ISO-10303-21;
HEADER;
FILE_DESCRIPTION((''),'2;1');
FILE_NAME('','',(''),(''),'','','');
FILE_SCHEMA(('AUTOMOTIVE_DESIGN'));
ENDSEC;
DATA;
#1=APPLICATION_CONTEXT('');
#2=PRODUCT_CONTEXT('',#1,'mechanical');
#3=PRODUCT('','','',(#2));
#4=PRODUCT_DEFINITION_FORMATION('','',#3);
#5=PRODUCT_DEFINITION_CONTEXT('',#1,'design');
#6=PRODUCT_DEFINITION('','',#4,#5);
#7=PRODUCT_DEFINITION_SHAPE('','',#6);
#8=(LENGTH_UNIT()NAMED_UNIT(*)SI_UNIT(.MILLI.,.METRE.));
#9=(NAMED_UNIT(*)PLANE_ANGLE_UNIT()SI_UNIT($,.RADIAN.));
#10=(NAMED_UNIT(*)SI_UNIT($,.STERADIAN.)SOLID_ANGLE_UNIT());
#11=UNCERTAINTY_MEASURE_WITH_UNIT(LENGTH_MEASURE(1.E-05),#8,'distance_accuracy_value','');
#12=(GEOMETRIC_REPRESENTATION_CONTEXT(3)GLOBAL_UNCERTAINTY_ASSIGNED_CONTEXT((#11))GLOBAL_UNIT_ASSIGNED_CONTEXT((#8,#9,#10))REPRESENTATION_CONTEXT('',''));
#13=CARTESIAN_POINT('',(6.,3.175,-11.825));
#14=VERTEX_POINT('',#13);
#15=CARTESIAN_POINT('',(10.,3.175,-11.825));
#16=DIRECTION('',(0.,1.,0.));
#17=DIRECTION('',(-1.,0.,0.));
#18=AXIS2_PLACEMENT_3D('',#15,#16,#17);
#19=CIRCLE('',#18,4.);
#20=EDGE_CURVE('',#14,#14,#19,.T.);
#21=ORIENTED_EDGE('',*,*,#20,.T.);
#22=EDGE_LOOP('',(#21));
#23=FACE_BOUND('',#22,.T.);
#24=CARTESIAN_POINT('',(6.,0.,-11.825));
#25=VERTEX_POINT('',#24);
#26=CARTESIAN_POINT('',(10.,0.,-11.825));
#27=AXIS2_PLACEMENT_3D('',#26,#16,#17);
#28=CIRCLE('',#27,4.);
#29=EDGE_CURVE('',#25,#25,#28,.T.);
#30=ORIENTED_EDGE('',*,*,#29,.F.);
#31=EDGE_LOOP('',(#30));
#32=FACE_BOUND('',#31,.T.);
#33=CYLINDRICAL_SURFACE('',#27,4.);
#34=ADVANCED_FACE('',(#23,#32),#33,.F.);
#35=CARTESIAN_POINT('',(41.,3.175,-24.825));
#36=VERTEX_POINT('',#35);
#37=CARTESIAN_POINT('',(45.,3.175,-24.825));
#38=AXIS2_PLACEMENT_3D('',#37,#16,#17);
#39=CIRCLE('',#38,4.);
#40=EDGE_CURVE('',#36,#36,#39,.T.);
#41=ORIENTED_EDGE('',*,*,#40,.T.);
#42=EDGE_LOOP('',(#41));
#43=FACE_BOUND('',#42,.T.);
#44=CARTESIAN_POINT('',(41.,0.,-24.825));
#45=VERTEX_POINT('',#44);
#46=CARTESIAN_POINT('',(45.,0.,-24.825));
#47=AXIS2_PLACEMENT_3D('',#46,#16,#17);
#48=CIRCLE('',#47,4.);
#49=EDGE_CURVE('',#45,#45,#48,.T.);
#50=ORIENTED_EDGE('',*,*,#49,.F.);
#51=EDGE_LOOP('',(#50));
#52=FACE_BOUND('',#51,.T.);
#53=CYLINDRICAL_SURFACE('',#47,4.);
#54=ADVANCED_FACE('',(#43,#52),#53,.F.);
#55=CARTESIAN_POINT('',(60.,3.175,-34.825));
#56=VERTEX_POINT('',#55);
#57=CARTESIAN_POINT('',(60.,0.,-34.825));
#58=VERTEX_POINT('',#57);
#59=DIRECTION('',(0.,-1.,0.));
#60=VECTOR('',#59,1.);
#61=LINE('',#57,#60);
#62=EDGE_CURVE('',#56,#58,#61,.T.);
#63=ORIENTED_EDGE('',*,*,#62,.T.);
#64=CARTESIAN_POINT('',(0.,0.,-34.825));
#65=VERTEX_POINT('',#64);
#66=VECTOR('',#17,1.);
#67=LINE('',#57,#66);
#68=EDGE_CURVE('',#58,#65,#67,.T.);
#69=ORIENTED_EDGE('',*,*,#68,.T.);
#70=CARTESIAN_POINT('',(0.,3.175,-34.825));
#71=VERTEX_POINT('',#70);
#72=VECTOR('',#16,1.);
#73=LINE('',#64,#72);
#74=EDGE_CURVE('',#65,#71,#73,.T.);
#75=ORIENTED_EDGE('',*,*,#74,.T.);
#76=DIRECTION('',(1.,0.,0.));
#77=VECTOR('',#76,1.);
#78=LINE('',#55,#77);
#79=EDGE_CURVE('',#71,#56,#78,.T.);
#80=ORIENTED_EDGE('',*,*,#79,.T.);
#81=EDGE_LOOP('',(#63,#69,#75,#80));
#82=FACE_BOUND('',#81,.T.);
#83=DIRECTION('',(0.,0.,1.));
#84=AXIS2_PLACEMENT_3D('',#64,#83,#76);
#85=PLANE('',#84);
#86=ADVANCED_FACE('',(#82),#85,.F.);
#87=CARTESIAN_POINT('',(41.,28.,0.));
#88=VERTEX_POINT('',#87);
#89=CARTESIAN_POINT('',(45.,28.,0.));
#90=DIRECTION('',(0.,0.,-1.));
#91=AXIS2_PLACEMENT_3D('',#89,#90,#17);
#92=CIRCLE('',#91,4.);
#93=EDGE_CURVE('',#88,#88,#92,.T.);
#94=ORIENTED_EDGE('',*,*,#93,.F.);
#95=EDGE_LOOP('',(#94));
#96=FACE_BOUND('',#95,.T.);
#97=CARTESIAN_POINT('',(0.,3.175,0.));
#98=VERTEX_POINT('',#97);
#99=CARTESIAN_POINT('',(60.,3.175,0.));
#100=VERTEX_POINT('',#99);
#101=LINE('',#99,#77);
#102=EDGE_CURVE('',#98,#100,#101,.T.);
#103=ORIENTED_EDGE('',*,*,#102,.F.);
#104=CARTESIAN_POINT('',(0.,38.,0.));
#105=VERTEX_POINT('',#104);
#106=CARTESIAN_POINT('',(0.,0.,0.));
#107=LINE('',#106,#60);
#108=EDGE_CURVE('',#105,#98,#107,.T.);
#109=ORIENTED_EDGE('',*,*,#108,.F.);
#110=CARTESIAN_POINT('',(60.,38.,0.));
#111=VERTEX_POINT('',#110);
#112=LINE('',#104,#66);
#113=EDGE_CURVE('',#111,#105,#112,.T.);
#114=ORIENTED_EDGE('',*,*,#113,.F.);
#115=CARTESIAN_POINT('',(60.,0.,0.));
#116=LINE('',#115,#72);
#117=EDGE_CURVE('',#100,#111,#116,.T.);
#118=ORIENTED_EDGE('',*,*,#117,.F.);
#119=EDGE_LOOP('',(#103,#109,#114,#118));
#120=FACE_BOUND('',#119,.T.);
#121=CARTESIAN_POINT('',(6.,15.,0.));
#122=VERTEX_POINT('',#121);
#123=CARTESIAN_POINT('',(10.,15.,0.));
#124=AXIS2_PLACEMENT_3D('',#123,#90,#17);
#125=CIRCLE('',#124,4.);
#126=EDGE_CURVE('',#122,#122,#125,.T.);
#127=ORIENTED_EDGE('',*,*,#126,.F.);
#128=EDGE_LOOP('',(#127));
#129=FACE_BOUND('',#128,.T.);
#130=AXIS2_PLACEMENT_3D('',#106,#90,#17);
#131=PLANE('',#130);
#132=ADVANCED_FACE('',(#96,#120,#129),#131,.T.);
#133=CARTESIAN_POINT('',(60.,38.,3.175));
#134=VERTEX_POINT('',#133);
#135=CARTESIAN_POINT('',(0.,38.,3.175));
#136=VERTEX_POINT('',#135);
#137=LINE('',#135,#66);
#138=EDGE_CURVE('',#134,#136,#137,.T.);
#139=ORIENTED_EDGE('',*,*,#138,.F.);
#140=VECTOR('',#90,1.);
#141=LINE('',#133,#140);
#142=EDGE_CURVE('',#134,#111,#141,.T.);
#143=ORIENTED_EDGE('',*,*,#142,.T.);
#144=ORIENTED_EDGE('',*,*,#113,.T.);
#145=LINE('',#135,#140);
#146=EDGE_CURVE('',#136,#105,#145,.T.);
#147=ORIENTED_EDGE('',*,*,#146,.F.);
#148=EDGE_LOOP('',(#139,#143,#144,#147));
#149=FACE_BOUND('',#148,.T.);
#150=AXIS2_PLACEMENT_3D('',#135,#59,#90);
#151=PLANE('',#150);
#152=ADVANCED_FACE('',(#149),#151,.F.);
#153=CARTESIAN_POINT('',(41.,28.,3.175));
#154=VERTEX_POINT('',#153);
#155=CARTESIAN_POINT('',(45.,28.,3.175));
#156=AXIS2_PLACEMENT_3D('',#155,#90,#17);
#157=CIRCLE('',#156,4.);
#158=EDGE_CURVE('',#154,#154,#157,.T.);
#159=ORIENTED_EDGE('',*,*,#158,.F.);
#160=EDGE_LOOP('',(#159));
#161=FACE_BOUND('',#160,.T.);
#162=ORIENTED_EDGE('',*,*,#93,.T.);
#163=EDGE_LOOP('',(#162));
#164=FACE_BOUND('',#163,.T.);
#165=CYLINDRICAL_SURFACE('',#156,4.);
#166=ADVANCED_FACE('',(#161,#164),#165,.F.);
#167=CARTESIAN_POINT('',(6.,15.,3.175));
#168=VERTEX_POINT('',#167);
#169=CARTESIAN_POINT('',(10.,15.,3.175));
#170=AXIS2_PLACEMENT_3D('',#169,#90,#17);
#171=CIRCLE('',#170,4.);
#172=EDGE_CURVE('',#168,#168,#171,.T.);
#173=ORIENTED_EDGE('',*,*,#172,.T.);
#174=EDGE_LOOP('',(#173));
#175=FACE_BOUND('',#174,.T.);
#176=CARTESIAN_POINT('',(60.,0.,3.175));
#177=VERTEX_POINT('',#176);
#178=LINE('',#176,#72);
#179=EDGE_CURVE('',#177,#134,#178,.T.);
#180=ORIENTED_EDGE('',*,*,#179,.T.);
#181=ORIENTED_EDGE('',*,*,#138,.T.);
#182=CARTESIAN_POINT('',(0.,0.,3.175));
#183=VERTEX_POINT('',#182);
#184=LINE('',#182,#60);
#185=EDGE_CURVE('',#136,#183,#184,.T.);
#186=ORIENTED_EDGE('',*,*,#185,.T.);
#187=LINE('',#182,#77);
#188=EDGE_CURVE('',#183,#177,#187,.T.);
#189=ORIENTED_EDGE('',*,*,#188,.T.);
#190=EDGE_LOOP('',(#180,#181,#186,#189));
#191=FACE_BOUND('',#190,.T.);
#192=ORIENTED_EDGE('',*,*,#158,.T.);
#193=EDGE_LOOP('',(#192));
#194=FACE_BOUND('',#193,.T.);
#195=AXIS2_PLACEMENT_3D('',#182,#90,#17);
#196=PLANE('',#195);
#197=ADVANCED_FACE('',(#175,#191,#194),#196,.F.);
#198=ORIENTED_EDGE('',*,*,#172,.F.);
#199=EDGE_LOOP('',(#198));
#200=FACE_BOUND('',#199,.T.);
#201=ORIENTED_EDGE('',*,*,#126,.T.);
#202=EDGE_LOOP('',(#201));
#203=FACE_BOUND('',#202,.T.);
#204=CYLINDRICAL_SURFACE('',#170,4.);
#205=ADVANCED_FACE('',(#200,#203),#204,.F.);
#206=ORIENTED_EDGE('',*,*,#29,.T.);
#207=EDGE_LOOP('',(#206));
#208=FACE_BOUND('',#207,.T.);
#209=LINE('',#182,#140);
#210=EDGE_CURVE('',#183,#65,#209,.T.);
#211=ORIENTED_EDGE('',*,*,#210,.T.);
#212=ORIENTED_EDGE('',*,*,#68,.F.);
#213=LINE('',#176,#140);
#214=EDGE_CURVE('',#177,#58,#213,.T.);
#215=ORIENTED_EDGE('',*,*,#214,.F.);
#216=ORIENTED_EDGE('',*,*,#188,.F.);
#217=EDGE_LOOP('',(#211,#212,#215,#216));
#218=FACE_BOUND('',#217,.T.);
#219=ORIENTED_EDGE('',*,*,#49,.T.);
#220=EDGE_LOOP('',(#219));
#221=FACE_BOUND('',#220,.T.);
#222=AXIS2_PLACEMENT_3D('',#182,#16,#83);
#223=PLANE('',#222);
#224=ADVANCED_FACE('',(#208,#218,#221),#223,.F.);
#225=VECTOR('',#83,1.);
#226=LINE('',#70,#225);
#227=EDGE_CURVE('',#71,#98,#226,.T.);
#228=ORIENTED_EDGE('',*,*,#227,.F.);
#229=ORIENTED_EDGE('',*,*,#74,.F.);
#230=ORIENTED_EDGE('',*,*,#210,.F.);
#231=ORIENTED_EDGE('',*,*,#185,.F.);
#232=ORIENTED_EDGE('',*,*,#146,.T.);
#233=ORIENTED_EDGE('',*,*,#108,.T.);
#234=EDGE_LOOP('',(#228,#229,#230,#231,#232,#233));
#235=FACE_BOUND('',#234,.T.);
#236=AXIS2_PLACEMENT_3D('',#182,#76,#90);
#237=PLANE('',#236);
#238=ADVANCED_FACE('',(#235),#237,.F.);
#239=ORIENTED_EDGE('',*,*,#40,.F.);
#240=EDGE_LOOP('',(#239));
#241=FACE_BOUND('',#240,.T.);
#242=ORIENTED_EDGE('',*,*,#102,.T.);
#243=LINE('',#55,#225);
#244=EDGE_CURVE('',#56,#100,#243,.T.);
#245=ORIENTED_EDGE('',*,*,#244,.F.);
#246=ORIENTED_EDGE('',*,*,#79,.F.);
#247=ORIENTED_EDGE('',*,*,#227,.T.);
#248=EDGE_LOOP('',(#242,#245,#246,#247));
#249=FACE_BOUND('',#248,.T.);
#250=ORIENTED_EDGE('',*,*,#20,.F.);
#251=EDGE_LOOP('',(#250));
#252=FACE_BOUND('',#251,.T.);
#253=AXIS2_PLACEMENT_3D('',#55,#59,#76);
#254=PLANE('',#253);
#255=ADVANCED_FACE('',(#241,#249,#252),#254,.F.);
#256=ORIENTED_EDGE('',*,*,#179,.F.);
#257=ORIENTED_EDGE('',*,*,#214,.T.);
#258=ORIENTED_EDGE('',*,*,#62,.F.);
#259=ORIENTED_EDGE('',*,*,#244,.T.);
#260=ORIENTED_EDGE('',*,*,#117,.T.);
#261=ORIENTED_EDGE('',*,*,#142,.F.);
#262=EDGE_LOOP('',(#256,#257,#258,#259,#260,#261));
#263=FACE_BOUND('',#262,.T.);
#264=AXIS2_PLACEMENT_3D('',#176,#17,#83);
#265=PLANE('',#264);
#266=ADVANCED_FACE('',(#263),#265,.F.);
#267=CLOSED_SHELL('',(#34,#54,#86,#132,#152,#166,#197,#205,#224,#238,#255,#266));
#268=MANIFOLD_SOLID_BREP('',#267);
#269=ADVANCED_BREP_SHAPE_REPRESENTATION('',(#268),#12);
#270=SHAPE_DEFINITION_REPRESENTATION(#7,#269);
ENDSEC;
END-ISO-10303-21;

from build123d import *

# Parameters (mm, degrees)
SKETCH1_W           = 60
SKETCH1_H           = 38
BOSS_EXTRUDE1_DEPTH = 3.175
SKETCH2_W           = 60
SKETCH2_H           = 3.175
BOSS_EXTRUDE2_DEPTH = 34.825
SKETCH3_R           = 4
CUT_EXTRUDE1_DEPTH  = 80.099814317
SKETCH4_R           = 4
CUT_EXTRUDE2_DEPTH  = 78.624488726


with BuildPart() as part:
    # Sketch1 → Boss-Extrude1 (new body)
    with BuildSketch(Plane.XY):
        with Locations((30, 19)):
            Rectangle(SKETCH1_W, SKETCH1_H)
    extrude(amount=BOSS_EXTRUDE1_DEPTH)

    # Sketch2 → Boss-Extrude2 (add)
    with BuildSketch(Plane(origin=(0, 0, 0), x_dir=(-1, 0, 0), z_dir=(0, 0, -1))):
        with Locations((-30, 1.5875)):
            Rectangle(SKETCH2_W, SKETCH2_H)
    extrude(amount=BOSS_EXTRUDE2_DEPTH)

    # Sketch3 → Cut-Extrude1 (cut, through all)
    with BuildSketch(Plane(origin=(0, 0, 0), x_dir=(-1, 0, 0), z_dir=(0, 0, -1))):
        with Locations((-45, 28)):
            Circle(SKETCH3_R)
        with Locations((-10, 15)):
            Circle(SKETCH3_R)
    extrude(amount=-CUT_EXTRUDE1_DEPTH, mode=Mode.SUBTRACT)

    # Sketch4 → Cut-Extrude2 (cut, through all)
    with BuildSketch(Plane(origin=(0, 3.175, 0), x_dir=(1, 0, 0), z_dir=(0, 1, 0))):
        with Locations(Location((45, 24.825, 0), (0, 0, 180))):
            Circle(SKETCH4_R)
        with Locations(Location((10, 11.825, 0), (0, 0, 180))):
            Circle(SKETCH4_R)
    extrude(amount=-CUT_EXTRUDE2_DEPTH, mode=Mode.SUBTRACT)


solid = part.part
